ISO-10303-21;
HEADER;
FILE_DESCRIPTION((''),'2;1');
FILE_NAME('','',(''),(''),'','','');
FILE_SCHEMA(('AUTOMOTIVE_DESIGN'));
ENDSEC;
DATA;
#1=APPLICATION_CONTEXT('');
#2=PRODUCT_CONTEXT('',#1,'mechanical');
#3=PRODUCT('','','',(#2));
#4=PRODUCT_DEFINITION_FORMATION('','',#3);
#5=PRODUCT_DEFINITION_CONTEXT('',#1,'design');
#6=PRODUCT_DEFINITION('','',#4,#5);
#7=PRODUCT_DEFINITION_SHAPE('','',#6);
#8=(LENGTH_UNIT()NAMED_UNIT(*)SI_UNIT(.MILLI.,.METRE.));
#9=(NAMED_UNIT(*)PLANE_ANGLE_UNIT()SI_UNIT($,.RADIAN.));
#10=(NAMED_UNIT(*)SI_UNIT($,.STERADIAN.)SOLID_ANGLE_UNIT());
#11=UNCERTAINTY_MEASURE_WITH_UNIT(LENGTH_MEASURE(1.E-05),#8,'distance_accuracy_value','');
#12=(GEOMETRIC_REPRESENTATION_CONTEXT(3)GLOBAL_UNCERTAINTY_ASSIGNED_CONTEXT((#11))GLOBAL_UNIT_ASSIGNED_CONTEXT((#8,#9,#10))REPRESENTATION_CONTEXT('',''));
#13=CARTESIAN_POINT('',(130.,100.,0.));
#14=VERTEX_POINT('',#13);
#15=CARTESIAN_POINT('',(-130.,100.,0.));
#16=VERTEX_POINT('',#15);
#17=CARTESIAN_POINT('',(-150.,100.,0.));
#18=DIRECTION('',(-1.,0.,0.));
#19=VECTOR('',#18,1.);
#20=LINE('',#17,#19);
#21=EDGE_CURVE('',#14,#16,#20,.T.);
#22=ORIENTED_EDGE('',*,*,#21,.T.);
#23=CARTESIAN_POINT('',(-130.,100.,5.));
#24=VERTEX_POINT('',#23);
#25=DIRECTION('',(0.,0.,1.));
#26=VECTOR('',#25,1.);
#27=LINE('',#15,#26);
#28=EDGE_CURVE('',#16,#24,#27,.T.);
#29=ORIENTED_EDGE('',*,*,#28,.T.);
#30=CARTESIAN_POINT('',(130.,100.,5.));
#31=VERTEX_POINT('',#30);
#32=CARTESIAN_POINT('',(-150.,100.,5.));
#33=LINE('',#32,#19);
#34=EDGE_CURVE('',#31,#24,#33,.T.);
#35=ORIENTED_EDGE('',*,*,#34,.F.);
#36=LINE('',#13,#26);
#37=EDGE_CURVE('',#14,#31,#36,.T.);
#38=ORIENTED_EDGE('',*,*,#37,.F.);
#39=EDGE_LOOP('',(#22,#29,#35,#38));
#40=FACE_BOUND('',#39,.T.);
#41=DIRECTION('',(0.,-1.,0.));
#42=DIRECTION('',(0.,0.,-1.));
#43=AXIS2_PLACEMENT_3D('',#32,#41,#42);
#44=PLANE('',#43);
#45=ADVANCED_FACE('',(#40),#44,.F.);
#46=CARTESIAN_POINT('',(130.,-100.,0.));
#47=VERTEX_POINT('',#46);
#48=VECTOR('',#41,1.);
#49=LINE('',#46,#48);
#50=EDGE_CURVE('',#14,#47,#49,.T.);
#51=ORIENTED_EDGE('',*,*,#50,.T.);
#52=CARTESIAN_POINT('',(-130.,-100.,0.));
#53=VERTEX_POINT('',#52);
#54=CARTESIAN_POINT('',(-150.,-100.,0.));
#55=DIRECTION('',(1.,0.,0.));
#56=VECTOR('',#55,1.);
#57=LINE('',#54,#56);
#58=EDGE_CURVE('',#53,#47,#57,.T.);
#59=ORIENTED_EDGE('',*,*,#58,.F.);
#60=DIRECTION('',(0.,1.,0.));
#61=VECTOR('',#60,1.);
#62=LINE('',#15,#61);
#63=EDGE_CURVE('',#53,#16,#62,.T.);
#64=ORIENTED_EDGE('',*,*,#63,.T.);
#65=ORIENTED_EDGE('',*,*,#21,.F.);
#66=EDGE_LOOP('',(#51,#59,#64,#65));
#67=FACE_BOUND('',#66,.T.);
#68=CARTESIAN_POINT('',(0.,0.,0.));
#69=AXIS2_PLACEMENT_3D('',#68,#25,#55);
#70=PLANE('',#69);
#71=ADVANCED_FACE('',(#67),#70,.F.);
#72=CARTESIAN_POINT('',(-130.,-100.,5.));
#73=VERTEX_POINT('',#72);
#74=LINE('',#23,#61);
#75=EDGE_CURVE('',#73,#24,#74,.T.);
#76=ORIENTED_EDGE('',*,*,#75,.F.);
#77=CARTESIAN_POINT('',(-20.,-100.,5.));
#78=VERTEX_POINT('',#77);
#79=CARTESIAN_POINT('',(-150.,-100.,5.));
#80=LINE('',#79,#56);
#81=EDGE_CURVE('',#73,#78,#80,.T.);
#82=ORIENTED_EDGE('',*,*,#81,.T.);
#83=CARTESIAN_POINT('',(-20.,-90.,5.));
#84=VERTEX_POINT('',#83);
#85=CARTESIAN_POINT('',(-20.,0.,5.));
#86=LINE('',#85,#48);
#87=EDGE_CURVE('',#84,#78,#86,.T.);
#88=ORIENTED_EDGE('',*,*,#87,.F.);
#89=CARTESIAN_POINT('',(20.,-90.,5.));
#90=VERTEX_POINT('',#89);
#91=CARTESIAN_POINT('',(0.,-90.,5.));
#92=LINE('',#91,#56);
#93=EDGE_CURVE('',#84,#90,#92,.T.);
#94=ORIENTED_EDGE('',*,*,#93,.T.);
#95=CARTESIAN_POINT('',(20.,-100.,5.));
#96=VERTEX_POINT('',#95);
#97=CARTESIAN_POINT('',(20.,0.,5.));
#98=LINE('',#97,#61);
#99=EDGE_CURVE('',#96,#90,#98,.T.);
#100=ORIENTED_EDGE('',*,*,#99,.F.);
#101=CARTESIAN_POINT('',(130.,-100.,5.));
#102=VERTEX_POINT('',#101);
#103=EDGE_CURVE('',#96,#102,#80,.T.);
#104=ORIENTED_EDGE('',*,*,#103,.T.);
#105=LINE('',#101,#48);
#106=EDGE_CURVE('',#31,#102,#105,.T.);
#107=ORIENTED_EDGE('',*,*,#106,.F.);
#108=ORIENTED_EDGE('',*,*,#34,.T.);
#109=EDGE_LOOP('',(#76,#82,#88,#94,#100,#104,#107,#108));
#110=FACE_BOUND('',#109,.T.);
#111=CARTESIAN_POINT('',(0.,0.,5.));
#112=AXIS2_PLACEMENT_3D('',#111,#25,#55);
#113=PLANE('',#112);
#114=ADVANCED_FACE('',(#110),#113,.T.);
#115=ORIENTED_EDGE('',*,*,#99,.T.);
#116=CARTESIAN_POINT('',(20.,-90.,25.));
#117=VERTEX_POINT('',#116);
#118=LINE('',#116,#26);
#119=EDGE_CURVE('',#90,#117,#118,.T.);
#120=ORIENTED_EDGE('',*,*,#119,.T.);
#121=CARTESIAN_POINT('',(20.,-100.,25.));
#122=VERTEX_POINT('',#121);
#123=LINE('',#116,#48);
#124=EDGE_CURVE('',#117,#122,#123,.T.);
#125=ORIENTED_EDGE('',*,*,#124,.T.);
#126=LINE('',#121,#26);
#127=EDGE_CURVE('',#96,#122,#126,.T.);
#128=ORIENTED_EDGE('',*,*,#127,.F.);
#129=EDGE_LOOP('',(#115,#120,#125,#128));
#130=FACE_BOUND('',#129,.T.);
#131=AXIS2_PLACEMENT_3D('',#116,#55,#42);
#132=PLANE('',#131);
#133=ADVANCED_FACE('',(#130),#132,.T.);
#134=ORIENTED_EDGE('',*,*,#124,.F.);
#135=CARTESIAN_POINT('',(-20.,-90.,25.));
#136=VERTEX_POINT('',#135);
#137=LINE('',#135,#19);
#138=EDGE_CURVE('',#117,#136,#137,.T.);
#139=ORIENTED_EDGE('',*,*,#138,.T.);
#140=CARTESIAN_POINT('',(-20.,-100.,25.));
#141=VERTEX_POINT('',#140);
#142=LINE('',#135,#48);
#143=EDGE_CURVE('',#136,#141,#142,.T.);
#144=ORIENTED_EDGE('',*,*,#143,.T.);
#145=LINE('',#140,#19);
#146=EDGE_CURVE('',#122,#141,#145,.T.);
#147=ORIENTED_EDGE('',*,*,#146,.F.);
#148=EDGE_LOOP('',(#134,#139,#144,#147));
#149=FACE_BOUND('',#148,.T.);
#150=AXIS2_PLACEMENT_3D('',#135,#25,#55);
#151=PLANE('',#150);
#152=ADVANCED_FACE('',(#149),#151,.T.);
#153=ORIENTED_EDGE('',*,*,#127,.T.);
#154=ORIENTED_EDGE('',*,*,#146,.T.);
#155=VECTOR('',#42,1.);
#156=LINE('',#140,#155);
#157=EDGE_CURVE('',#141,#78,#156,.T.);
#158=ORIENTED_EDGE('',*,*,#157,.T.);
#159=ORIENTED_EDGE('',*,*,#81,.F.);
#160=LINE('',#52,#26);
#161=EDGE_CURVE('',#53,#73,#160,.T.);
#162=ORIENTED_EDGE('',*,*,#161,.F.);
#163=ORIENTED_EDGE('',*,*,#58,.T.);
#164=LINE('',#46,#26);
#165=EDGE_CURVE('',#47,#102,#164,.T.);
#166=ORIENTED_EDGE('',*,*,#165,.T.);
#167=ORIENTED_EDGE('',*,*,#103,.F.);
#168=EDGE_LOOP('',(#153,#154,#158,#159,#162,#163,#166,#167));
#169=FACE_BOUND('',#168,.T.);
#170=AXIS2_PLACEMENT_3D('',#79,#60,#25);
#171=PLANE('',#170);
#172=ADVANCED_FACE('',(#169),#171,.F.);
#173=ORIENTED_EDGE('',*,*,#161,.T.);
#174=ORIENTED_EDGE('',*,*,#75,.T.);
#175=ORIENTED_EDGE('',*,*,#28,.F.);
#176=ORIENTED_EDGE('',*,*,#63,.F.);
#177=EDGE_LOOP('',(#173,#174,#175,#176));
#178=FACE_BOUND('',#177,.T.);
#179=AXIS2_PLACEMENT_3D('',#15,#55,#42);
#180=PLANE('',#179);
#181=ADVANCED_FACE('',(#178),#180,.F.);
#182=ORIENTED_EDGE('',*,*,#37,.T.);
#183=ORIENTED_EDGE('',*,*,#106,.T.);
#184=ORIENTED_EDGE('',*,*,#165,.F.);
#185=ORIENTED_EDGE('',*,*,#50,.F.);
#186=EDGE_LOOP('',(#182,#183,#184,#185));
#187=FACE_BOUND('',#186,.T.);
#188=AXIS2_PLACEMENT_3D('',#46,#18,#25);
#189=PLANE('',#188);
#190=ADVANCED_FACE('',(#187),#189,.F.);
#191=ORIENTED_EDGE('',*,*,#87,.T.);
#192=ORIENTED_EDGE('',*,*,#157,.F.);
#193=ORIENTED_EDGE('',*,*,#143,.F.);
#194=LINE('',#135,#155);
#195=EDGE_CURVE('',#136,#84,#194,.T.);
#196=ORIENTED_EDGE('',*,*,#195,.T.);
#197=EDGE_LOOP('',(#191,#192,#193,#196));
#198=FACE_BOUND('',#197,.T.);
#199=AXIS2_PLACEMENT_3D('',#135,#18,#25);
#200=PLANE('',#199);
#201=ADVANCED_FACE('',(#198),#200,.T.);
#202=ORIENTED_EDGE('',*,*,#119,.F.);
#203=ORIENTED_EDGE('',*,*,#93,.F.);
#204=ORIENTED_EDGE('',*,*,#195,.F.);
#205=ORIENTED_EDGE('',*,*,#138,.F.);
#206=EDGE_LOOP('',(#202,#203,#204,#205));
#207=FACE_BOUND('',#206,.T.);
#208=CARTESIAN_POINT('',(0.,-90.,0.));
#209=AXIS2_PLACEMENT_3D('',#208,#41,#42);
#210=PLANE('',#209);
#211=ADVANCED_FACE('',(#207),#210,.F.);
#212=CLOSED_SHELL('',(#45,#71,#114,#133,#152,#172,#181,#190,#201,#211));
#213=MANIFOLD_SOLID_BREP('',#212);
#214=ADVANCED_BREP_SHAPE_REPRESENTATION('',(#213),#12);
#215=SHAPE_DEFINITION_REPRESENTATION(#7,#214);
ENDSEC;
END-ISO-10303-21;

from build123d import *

# Parameters (mm, degrees)
SKETCH1_W           = 300
SKETCH1_H           = 200
BOSS_EXTRUDE1_DEPTH = 5
SKETCH3_W           = 20
SKETCH3_H           = 20
SKETCH3_H_2         = 40
CUT_EXTRUDE1_DEPTH  = 5
SKETCH4_W           = 20
SKETCH4_H           = 140
CUT_EXTRUDE2_DEPTH  = 10
SKETCH6_W           = 40
SKETCH6_H           = 25
BOSS_EXTRUDE3_DEPTH = 10


with BuildPart() as part:
    # Sketch1 → Boss-Extrude1 (new body)
    with BuildSketch(Plane.XY):
        Rectangle(SKETCH1_W, SKETCH1_H)
    extrude(amount=BOSS_EXTRUDE1_DEPTH)

    # Sketch3 → Cut-Extrude1 (cut)
    with BuildSketch(Plane.XY.offset(5)):
        with Locations((-140, -90)):
            Rectangle(SKETCH3_W, SKETCH3_H)
        with Locations((-140, 80)):
            Rectangle(SKETCH3_W, SKETCH3_H_2)
        with Locations((140, 80)):
            Rectangle(SKETCH3_W, SKETCH3_H_2)
        with Locations((140, -90)):
            Rectangle(SKETCH3_W, SKETCH3_H)
    extrude(amount=-CUT_EXTRUDE1_DEPTH, mode=Mode.SUBTRACT)

    # Sketch4 → Cut-Extrude2 (cut)
    with BuildSketch(Plane.XY.offset(5)):
        with Locations((-140, -10)):
            Rectangle(SKETCH4_W, SKETCH4_H)
        with Locations((140, -10)):
            Rectangle(SKETCH4_W, SKETCH4_H)
    extrude(amount=-CUT_EXTRUDE2_DEPTH, mode=Mode.SUBTRACT)

    # Sketch6 → Boss-Extrude3 (add)
    with BuildSketch(Plane.XZ.offset(100)):
        with Locations((0, 12.5)):
            Rectangle(SKETCH6_W, SKETCH6_H)
    extrude(amount=-BOSS_EXTRUDE3_DEPTH)


solid = part.part
